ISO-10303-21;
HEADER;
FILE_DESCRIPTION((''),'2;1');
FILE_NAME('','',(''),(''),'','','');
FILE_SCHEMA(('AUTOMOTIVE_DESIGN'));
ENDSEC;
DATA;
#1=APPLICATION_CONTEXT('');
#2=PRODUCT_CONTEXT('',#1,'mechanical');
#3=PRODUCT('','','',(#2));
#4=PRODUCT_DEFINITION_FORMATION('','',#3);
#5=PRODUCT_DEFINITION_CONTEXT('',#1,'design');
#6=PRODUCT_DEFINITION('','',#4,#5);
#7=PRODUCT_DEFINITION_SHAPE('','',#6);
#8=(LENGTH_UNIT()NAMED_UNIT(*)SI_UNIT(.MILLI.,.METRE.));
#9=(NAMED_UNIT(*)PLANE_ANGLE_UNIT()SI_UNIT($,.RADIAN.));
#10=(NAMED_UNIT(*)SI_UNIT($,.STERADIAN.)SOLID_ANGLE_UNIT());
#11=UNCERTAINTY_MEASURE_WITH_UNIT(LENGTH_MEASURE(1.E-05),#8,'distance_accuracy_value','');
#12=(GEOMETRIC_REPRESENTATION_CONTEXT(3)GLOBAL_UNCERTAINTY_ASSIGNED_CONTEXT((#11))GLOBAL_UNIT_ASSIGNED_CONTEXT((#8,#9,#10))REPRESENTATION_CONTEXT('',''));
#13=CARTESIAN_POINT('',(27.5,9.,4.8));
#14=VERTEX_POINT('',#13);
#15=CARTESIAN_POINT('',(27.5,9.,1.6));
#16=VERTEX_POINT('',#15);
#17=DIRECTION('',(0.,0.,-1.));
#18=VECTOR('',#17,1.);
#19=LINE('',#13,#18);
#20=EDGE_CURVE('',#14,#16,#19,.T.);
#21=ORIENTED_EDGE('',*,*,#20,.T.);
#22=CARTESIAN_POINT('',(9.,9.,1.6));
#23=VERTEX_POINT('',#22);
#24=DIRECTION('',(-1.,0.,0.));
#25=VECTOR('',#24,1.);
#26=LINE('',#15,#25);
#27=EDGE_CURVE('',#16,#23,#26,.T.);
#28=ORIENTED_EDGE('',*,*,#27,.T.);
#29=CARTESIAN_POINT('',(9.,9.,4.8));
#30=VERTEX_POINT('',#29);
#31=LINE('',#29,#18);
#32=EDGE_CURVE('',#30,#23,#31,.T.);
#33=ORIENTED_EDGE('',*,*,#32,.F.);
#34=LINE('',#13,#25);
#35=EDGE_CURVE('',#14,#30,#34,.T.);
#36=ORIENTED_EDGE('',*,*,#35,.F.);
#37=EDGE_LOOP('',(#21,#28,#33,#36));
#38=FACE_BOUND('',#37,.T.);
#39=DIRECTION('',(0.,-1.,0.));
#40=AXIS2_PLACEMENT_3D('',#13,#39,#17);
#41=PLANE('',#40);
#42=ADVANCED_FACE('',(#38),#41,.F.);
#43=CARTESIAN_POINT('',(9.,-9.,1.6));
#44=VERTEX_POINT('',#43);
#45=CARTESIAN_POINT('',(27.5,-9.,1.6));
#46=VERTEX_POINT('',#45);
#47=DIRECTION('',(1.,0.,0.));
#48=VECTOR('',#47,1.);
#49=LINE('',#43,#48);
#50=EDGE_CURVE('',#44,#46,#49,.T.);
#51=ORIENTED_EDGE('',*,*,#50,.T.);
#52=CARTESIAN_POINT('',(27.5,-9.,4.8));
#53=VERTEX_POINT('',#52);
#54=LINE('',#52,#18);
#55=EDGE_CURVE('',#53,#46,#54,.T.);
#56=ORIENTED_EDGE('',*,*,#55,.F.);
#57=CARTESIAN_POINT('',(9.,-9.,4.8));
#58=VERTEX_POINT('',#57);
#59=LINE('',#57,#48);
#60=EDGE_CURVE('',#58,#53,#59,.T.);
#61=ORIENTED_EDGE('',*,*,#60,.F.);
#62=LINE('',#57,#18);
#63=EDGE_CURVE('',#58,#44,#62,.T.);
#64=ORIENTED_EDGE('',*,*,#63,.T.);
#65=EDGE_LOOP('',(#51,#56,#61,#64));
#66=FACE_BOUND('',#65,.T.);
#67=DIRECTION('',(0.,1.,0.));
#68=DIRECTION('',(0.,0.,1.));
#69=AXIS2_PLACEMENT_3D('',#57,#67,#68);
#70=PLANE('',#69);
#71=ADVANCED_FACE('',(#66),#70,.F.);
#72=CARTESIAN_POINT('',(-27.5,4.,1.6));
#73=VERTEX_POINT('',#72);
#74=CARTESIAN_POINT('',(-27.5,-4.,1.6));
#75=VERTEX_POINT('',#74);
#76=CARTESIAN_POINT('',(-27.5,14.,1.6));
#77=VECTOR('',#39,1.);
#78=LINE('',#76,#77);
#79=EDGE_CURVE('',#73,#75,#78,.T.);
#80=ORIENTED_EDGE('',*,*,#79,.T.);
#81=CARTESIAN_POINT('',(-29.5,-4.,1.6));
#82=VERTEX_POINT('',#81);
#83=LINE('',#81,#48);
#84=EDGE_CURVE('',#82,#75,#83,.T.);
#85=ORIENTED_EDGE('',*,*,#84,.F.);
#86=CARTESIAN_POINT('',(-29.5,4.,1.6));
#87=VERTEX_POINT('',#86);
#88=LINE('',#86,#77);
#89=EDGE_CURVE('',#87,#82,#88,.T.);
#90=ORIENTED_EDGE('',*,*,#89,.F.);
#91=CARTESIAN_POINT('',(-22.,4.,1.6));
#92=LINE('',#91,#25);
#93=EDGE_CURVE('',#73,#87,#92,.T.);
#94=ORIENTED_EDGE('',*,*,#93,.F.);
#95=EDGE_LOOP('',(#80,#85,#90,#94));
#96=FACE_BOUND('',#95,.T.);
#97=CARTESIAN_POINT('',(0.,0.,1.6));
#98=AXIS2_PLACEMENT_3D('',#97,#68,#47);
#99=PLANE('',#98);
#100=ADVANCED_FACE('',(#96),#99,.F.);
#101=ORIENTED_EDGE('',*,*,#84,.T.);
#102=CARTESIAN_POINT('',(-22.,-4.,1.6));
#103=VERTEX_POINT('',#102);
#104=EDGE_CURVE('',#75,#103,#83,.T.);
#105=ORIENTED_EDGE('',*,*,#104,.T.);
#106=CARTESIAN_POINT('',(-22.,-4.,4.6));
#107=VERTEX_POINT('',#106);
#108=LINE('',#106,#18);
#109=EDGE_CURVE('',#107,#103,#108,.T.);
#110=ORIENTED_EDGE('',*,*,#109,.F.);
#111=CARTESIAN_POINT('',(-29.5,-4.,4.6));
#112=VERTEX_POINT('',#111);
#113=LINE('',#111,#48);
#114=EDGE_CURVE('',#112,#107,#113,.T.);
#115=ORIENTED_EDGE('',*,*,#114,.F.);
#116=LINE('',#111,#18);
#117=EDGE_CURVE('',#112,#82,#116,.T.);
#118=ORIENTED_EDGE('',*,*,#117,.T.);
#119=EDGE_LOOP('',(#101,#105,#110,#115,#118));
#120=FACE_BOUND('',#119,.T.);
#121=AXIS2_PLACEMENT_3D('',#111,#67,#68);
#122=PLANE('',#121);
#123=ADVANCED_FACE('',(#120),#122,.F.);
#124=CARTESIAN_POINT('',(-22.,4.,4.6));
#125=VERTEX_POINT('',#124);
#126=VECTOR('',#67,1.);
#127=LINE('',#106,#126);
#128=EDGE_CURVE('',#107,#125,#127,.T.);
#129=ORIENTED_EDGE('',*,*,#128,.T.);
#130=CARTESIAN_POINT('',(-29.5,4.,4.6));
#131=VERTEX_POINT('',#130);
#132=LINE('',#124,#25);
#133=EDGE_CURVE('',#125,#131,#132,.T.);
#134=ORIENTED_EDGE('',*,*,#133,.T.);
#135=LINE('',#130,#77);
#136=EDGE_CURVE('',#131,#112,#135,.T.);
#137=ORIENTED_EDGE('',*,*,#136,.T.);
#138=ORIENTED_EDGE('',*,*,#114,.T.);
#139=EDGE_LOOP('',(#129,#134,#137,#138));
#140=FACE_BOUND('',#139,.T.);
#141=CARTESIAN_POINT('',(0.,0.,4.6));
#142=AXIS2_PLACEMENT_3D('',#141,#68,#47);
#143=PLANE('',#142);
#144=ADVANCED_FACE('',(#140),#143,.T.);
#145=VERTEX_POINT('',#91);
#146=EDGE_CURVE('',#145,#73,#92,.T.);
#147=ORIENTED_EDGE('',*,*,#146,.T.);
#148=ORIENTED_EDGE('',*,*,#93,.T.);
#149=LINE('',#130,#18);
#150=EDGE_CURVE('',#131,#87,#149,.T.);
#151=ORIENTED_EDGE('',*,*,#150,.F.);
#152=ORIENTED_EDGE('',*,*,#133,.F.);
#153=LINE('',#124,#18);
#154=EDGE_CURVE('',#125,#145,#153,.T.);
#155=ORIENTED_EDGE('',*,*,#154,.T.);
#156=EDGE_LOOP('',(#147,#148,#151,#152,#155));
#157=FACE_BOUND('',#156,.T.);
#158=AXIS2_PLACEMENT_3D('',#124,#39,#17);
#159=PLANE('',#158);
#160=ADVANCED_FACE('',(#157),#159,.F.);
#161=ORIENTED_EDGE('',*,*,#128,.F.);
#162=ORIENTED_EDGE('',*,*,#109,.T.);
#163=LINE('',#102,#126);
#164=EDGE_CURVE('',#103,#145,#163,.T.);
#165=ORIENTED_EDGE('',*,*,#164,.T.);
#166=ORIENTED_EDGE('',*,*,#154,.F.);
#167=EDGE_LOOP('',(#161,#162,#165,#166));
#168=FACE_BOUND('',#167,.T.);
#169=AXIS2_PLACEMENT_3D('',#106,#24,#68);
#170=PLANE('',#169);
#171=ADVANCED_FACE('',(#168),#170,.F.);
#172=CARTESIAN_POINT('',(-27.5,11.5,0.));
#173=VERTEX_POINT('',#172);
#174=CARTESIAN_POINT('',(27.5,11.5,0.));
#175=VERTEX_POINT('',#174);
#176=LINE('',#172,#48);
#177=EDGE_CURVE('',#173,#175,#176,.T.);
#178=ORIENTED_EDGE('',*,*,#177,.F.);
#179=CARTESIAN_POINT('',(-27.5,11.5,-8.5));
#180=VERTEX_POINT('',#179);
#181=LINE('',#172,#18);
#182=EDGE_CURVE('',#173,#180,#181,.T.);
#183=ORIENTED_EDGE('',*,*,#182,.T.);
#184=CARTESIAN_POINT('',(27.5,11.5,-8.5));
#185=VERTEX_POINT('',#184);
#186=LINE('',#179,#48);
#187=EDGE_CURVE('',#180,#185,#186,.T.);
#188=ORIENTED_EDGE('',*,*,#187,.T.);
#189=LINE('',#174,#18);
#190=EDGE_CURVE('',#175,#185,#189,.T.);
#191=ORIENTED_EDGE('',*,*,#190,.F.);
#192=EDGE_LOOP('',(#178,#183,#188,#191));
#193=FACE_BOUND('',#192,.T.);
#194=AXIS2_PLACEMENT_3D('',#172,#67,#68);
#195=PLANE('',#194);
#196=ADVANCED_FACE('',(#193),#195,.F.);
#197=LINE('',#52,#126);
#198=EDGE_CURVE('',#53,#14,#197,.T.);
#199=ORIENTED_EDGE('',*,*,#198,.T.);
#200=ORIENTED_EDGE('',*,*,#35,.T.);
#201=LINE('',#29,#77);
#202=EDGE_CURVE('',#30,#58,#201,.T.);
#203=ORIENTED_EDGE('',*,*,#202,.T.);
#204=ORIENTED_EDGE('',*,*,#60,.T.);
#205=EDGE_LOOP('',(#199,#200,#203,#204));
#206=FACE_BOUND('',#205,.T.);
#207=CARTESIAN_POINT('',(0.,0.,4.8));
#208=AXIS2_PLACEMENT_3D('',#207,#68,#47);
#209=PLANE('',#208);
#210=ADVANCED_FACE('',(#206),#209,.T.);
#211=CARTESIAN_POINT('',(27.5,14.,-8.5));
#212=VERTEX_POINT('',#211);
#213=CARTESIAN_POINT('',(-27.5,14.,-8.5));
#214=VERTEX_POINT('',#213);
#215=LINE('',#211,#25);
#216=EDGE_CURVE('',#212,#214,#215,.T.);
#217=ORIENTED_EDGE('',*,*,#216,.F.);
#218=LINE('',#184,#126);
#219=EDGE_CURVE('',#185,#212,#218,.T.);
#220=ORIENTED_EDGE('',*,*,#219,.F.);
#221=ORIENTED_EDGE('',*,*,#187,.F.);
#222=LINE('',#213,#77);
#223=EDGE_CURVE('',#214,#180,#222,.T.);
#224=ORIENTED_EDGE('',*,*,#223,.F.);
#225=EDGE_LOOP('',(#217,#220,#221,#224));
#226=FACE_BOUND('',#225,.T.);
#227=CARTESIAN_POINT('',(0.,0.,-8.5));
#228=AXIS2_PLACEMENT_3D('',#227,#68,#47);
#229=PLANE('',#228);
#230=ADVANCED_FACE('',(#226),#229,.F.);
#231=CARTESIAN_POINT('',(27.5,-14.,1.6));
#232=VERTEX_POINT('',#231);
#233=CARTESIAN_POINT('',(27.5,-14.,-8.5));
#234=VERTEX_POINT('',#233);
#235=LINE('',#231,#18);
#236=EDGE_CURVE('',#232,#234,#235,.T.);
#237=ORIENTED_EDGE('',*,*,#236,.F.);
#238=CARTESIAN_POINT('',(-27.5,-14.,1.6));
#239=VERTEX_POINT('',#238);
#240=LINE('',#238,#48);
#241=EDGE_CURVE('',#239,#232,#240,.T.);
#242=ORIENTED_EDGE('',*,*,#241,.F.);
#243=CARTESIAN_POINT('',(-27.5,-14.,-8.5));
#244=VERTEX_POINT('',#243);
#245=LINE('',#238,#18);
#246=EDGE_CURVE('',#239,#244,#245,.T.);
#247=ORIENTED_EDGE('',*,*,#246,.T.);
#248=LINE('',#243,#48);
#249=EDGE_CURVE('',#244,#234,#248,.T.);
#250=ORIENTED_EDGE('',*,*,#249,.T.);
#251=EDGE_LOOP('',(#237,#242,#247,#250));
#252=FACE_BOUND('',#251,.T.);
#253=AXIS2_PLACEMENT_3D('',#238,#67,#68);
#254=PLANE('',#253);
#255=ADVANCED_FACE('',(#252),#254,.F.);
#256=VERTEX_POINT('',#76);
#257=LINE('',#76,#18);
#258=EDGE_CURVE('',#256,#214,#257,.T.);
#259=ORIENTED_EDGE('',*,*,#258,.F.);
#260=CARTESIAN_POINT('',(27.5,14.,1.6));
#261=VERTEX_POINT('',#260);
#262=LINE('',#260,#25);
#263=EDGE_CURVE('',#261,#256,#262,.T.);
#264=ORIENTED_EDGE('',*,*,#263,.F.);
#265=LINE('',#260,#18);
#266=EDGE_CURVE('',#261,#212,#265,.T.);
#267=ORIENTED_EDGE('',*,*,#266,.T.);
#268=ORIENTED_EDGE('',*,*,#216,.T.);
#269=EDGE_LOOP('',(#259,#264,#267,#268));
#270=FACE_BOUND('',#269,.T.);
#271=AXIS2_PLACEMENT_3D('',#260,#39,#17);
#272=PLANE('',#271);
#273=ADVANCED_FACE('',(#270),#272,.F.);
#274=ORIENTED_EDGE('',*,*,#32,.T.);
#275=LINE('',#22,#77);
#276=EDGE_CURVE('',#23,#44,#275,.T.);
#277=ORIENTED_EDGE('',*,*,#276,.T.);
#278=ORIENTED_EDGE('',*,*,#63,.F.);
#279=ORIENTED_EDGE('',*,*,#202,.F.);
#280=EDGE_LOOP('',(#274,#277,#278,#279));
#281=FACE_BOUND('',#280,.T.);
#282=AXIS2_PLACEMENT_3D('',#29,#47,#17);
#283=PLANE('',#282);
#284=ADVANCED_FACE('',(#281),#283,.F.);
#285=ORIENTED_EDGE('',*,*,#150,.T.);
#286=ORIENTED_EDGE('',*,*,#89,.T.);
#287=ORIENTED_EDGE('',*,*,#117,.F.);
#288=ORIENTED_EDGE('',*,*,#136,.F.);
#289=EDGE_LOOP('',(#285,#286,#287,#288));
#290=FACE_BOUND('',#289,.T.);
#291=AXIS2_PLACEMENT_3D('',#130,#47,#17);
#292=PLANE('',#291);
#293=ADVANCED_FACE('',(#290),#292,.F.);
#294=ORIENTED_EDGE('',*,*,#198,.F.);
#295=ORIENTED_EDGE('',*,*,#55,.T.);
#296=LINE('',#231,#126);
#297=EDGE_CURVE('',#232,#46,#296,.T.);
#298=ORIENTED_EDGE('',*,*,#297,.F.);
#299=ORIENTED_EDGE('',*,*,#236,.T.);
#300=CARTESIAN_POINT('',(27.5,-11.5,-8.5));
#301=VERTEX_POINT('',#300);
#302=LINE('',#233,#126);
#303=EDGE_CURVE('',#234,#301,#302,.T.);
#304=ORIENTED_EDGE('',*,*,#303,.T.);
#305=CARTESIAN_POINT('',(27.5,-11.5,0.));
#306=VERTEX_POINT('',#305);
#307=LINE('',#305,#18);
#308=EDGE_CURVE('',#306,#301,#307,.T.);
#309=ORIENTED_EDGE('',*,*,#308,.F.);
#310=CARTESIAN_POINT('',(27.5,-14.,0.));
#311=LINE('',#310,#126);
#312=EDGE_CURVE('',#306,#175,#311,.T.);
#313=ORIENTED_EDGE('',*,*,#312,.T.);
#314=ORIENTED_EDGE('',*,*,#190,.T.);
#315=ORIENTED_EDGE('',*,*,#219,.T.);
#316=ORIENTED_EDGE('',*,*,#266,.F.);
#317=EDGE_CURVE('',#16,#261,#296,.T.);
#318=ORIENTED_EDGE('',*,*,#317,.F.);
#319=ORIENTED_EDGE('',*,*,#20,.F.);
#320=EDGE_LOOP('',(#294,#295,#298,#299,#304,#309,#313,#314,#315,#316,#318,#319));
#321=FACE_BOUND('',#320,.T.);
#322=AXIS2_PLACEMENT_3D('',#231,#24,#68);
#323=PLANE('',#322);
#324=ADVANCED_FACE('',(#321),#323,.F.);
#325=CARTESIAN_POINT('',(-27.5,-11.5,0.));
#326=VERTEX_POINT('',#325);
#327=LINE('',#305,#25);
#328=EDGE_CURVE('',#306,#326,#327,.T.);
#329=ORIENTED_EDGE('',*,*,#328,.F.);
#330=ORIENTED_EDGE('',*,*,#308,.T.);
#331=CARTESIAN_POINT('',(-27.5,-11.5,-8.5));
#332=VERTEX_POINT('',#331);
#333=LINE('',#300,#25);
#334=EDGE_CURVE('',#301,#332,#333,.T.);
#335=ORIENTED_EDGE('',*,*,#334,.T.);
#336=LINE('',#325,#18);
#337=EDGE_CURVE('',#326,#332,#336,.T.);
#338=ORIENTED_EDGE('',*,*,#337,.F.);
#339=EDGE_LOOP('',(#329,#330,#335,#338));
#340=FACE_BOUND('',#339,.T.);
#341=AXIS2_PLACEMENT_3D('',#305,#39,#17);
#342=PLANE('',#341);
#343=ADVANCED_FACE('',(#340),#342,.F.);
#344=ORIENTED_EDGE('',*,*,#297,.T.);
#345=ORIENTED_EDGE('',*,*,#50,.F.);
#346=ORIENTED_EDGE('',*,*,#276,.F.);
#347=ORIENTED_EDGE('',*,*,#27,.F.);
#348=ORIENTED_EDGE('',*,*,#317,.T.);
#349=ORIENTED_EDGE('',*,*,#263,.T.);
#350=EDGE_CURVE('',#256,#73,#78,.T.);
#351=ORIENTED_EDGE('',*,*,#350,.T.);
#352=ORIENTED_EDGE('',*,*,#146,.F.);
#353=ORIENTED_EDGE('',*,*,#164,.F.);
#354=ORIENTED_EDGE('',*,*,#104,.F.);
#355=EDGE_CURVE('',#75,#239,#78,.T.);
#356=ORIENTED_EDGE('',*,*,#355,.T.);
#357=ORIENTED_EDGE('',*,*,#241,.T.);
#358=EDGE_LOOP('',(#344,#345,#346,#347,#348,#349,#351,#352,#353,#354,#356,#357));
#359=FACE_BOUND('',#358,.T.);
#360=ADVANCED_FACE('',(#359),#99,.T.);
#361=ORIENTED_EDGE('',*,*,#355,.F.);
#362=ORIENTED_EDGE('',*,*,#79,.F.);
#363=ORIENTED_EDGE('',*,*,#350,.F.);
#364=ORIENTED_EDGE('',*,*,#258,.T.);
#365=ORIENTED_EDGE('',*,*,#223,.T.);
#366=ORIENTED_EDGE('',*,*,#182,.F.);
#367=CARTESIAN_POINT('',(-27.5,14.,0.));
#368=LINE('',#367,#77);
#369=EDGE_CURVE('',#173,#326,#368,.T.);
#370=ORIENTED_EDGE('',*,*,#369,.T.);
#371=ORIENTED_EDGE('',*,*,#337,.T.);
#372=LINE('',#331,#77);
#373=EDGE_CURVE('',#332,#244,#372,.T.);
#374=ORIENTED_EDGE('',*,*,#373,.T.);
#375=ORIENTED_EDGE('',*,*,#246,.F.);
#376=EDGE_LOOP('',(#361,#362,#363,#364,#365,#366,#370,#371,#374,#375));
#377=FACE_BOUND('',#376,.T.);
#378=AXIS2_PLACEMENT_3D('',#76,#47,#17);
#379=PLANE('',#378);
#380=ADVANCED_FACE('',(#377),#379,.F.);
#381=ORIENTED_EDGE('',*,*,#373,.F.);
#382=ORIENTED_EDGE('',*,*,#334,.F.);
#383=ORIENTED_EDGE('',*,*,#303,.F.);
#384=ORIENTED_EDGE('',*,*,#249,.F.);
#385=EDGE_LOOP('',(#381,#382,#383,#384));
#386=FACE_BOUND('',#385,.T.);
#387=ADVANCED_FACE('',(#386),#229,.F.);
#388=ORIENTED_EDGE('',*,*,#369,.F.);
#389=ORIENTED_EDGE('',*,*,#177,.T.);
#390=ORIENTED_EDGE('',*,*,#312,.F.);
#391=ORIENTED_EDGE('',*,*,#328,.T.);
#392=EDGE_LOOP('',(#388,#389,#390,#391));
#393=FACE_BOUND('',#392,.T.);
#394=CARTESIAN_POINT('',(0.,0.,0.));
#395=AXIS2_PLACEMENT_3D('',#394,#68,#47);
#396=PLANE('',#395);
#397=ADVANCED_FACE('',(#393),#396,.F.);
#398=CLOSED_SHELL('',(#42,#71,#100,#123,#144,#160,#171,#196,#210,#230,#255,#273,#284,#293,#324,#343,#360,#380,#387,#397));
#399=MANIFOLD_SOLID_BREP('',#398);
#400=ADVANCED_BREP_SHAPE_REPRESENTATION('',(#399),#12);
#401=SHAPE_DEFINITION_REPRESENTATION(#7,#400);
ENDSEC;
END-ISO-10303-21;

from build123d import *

# Parameters (mm, degrees)
SKETCH1_W          = 55
SKETCH1_H          = 28
PCB_DEPTH          = 1.6
SKETCH2_W          = 55
SKETCH2_H          = 2.5
HEADER_A_DEPTH     = 8.5
SKETCH3_W          = 55
SKETCH3_H          = 2.5
HEADER_B_DEPTH     = 8.5
SKETCH4_W          = 18.5
SKETCH4_H          = 18
WROOM_MODULE_DEPTH = 3.2
SKETCH5_W          = 7.5
SKETCH5_H          = 8
USB_DEPTH          = 3


with BuildPart() as part:
    # Sketch1 → PCB (new body)
    with BuildSketch(Plane.XY):
        Rectangle(SKETCH1_W, SKETCH1_H)
    extrude(amount=PCB_DEPTH)

    # Sketch2 → Header_A (add)
    with BuildSketch(Plane.XY.offset(-8.5)):
        with Locations((0, -12.75)):
            Rectangle(SKETCH2_W, SKETCH2_H)
    extrude(amount=HEADER_A_DEPTH)

    # Sketch3 → Header_B (add)
    with BuildSketch(Plane.XY.offset(-8.5)):
        with Locations((0, 12.75)):
            Rectangle(SKETCH3_W, SKETCH3_H)
    extrude(amount=HEADER_B_DEPTH)

    # Sketch4 → WROOM_module (add)
    with BuildSketch(Plane.XY.offset(1.6)):
        with Locations((18.25, 0)):
            Rectangle(SKETCH4_W, SKETCH4_H)
    extrude(amount=WROOM_MODULE_DEPTH)

    # Sketch5 → USB (add)
    with BuildSketch(Plane.XY.offset(1.6)):
        with Locations((-25.75, 0)):
            Rectangle(SKETCH5_W, SKETCH5_H)
    extrude(amount=USB_DEPTH)


solid = part.part
